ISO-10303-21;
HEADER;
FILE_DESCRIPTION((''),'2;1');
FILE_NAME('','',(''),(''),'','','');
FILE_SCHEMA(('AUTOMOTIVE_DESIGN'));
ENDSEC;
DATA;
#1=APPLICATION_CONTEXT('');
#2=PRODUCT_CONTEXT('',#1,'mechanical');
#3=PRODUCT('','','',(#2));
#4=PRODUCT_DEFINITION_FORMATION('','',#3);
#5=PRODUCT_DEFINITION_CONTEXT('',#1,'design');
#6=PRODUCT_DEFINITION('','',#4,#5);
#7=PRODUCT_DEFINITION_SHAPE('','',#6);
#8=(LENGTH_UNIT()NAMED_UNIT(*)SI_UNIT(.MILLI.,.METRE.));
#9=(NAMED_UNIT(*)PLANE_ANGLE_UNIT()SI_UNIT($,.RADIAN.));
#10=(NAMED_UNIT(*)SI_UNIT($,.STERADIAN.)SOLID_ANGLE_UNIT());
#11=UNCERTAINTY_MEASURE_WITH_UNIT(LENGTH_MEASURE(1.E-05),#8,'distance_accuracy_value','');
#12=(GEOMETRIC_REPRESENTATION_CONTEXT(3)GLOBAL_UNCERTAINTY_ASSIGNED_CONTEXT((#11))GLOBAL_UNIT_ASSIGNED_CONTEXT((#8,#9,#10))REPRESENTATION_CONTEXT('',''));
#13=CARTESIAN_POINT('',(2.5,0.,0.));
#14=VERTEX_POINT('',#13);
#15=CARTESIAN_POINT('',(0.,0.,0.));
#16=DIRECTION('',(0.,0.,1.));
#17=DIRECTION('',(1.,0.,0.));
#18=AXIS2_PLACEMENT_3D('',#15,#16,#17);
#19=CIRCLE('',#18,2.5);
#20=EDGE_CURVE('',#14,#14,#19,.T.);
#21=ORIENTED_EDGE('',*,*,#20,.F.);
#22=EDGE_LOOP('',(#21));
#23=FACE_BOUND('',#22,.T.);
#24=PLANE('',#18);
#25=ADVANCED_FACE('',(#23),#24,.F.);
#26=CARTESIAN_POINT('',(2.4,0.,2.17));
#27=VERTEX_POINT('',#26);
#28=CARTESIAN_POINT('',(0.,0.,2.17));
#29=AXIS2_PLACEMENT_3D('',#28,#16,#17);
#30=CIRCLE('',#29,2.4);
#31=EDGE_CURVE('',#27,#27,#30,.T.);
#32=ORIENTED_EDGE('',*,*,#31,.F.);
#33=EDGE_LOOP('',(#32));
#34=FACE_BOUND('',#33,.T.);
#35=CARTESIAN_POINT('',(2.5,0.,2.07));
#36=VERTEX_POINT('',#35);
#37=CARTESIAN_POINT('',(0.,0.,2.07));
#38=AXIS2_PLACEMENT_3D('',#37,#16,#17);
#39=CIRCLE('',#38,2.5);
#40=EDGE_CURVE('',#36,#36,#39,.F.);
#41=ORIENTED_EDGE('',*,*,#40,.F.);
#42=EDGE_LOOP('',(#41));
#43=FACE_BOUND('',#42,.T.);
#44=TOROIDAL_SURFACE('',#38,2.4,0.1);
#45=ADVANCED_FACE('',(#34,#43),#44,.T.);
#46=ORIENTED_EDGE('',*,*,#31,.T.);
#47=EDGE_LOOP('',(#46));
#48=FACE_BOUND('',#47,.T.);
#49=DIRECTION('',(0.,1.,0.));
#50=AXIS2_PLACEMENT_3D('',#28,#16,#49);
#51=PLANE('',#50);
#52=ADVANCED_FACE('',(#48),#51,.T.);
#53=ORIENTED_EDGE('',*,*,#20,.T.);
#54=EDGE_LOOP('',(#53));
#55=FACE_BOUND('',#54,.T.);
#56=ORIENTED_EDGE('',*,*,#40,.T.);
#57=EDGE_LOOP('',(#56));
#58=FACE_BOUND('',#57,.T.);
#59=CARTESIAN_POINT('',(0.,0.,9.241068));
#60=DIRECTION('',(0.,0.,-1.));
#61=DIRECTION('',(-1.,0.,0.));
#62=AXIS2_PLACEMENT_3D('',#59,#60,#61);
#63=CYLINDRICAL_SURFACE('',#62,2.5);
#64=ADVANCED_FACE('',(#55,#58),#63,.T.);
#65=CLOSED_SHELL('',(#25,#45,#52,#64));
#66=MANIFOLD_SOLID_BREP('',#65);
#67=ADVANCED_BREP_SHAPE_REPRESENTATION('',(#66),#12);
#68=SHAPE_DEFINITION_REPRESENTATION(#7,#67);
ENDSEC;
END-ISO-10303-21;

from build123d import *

# Parameters (mm, degrees)
ESQUISSE1_R        = 2.5
BOSS_EXTRU_1_DEPTH = 2.17
CONG_1_R           = 0.1


with BuildPart() as part:
    # Esquisse1 → Boss.-Extru.1 (new body)
    with BuildSketch(Plane.XY):
        Circle(ESQUISSE1_R)
    extrude(amount=BOSS_EXTRU_1_DEPTH)

    # Congé1
    cong_1_edges = [part.edges().sort_by_distance(p)[0] for p in [
        (-2.5, 0, 2.17),
    ]]
    fillet(cong_1_edges, radius=CONG_1_R)


solid = part.part
